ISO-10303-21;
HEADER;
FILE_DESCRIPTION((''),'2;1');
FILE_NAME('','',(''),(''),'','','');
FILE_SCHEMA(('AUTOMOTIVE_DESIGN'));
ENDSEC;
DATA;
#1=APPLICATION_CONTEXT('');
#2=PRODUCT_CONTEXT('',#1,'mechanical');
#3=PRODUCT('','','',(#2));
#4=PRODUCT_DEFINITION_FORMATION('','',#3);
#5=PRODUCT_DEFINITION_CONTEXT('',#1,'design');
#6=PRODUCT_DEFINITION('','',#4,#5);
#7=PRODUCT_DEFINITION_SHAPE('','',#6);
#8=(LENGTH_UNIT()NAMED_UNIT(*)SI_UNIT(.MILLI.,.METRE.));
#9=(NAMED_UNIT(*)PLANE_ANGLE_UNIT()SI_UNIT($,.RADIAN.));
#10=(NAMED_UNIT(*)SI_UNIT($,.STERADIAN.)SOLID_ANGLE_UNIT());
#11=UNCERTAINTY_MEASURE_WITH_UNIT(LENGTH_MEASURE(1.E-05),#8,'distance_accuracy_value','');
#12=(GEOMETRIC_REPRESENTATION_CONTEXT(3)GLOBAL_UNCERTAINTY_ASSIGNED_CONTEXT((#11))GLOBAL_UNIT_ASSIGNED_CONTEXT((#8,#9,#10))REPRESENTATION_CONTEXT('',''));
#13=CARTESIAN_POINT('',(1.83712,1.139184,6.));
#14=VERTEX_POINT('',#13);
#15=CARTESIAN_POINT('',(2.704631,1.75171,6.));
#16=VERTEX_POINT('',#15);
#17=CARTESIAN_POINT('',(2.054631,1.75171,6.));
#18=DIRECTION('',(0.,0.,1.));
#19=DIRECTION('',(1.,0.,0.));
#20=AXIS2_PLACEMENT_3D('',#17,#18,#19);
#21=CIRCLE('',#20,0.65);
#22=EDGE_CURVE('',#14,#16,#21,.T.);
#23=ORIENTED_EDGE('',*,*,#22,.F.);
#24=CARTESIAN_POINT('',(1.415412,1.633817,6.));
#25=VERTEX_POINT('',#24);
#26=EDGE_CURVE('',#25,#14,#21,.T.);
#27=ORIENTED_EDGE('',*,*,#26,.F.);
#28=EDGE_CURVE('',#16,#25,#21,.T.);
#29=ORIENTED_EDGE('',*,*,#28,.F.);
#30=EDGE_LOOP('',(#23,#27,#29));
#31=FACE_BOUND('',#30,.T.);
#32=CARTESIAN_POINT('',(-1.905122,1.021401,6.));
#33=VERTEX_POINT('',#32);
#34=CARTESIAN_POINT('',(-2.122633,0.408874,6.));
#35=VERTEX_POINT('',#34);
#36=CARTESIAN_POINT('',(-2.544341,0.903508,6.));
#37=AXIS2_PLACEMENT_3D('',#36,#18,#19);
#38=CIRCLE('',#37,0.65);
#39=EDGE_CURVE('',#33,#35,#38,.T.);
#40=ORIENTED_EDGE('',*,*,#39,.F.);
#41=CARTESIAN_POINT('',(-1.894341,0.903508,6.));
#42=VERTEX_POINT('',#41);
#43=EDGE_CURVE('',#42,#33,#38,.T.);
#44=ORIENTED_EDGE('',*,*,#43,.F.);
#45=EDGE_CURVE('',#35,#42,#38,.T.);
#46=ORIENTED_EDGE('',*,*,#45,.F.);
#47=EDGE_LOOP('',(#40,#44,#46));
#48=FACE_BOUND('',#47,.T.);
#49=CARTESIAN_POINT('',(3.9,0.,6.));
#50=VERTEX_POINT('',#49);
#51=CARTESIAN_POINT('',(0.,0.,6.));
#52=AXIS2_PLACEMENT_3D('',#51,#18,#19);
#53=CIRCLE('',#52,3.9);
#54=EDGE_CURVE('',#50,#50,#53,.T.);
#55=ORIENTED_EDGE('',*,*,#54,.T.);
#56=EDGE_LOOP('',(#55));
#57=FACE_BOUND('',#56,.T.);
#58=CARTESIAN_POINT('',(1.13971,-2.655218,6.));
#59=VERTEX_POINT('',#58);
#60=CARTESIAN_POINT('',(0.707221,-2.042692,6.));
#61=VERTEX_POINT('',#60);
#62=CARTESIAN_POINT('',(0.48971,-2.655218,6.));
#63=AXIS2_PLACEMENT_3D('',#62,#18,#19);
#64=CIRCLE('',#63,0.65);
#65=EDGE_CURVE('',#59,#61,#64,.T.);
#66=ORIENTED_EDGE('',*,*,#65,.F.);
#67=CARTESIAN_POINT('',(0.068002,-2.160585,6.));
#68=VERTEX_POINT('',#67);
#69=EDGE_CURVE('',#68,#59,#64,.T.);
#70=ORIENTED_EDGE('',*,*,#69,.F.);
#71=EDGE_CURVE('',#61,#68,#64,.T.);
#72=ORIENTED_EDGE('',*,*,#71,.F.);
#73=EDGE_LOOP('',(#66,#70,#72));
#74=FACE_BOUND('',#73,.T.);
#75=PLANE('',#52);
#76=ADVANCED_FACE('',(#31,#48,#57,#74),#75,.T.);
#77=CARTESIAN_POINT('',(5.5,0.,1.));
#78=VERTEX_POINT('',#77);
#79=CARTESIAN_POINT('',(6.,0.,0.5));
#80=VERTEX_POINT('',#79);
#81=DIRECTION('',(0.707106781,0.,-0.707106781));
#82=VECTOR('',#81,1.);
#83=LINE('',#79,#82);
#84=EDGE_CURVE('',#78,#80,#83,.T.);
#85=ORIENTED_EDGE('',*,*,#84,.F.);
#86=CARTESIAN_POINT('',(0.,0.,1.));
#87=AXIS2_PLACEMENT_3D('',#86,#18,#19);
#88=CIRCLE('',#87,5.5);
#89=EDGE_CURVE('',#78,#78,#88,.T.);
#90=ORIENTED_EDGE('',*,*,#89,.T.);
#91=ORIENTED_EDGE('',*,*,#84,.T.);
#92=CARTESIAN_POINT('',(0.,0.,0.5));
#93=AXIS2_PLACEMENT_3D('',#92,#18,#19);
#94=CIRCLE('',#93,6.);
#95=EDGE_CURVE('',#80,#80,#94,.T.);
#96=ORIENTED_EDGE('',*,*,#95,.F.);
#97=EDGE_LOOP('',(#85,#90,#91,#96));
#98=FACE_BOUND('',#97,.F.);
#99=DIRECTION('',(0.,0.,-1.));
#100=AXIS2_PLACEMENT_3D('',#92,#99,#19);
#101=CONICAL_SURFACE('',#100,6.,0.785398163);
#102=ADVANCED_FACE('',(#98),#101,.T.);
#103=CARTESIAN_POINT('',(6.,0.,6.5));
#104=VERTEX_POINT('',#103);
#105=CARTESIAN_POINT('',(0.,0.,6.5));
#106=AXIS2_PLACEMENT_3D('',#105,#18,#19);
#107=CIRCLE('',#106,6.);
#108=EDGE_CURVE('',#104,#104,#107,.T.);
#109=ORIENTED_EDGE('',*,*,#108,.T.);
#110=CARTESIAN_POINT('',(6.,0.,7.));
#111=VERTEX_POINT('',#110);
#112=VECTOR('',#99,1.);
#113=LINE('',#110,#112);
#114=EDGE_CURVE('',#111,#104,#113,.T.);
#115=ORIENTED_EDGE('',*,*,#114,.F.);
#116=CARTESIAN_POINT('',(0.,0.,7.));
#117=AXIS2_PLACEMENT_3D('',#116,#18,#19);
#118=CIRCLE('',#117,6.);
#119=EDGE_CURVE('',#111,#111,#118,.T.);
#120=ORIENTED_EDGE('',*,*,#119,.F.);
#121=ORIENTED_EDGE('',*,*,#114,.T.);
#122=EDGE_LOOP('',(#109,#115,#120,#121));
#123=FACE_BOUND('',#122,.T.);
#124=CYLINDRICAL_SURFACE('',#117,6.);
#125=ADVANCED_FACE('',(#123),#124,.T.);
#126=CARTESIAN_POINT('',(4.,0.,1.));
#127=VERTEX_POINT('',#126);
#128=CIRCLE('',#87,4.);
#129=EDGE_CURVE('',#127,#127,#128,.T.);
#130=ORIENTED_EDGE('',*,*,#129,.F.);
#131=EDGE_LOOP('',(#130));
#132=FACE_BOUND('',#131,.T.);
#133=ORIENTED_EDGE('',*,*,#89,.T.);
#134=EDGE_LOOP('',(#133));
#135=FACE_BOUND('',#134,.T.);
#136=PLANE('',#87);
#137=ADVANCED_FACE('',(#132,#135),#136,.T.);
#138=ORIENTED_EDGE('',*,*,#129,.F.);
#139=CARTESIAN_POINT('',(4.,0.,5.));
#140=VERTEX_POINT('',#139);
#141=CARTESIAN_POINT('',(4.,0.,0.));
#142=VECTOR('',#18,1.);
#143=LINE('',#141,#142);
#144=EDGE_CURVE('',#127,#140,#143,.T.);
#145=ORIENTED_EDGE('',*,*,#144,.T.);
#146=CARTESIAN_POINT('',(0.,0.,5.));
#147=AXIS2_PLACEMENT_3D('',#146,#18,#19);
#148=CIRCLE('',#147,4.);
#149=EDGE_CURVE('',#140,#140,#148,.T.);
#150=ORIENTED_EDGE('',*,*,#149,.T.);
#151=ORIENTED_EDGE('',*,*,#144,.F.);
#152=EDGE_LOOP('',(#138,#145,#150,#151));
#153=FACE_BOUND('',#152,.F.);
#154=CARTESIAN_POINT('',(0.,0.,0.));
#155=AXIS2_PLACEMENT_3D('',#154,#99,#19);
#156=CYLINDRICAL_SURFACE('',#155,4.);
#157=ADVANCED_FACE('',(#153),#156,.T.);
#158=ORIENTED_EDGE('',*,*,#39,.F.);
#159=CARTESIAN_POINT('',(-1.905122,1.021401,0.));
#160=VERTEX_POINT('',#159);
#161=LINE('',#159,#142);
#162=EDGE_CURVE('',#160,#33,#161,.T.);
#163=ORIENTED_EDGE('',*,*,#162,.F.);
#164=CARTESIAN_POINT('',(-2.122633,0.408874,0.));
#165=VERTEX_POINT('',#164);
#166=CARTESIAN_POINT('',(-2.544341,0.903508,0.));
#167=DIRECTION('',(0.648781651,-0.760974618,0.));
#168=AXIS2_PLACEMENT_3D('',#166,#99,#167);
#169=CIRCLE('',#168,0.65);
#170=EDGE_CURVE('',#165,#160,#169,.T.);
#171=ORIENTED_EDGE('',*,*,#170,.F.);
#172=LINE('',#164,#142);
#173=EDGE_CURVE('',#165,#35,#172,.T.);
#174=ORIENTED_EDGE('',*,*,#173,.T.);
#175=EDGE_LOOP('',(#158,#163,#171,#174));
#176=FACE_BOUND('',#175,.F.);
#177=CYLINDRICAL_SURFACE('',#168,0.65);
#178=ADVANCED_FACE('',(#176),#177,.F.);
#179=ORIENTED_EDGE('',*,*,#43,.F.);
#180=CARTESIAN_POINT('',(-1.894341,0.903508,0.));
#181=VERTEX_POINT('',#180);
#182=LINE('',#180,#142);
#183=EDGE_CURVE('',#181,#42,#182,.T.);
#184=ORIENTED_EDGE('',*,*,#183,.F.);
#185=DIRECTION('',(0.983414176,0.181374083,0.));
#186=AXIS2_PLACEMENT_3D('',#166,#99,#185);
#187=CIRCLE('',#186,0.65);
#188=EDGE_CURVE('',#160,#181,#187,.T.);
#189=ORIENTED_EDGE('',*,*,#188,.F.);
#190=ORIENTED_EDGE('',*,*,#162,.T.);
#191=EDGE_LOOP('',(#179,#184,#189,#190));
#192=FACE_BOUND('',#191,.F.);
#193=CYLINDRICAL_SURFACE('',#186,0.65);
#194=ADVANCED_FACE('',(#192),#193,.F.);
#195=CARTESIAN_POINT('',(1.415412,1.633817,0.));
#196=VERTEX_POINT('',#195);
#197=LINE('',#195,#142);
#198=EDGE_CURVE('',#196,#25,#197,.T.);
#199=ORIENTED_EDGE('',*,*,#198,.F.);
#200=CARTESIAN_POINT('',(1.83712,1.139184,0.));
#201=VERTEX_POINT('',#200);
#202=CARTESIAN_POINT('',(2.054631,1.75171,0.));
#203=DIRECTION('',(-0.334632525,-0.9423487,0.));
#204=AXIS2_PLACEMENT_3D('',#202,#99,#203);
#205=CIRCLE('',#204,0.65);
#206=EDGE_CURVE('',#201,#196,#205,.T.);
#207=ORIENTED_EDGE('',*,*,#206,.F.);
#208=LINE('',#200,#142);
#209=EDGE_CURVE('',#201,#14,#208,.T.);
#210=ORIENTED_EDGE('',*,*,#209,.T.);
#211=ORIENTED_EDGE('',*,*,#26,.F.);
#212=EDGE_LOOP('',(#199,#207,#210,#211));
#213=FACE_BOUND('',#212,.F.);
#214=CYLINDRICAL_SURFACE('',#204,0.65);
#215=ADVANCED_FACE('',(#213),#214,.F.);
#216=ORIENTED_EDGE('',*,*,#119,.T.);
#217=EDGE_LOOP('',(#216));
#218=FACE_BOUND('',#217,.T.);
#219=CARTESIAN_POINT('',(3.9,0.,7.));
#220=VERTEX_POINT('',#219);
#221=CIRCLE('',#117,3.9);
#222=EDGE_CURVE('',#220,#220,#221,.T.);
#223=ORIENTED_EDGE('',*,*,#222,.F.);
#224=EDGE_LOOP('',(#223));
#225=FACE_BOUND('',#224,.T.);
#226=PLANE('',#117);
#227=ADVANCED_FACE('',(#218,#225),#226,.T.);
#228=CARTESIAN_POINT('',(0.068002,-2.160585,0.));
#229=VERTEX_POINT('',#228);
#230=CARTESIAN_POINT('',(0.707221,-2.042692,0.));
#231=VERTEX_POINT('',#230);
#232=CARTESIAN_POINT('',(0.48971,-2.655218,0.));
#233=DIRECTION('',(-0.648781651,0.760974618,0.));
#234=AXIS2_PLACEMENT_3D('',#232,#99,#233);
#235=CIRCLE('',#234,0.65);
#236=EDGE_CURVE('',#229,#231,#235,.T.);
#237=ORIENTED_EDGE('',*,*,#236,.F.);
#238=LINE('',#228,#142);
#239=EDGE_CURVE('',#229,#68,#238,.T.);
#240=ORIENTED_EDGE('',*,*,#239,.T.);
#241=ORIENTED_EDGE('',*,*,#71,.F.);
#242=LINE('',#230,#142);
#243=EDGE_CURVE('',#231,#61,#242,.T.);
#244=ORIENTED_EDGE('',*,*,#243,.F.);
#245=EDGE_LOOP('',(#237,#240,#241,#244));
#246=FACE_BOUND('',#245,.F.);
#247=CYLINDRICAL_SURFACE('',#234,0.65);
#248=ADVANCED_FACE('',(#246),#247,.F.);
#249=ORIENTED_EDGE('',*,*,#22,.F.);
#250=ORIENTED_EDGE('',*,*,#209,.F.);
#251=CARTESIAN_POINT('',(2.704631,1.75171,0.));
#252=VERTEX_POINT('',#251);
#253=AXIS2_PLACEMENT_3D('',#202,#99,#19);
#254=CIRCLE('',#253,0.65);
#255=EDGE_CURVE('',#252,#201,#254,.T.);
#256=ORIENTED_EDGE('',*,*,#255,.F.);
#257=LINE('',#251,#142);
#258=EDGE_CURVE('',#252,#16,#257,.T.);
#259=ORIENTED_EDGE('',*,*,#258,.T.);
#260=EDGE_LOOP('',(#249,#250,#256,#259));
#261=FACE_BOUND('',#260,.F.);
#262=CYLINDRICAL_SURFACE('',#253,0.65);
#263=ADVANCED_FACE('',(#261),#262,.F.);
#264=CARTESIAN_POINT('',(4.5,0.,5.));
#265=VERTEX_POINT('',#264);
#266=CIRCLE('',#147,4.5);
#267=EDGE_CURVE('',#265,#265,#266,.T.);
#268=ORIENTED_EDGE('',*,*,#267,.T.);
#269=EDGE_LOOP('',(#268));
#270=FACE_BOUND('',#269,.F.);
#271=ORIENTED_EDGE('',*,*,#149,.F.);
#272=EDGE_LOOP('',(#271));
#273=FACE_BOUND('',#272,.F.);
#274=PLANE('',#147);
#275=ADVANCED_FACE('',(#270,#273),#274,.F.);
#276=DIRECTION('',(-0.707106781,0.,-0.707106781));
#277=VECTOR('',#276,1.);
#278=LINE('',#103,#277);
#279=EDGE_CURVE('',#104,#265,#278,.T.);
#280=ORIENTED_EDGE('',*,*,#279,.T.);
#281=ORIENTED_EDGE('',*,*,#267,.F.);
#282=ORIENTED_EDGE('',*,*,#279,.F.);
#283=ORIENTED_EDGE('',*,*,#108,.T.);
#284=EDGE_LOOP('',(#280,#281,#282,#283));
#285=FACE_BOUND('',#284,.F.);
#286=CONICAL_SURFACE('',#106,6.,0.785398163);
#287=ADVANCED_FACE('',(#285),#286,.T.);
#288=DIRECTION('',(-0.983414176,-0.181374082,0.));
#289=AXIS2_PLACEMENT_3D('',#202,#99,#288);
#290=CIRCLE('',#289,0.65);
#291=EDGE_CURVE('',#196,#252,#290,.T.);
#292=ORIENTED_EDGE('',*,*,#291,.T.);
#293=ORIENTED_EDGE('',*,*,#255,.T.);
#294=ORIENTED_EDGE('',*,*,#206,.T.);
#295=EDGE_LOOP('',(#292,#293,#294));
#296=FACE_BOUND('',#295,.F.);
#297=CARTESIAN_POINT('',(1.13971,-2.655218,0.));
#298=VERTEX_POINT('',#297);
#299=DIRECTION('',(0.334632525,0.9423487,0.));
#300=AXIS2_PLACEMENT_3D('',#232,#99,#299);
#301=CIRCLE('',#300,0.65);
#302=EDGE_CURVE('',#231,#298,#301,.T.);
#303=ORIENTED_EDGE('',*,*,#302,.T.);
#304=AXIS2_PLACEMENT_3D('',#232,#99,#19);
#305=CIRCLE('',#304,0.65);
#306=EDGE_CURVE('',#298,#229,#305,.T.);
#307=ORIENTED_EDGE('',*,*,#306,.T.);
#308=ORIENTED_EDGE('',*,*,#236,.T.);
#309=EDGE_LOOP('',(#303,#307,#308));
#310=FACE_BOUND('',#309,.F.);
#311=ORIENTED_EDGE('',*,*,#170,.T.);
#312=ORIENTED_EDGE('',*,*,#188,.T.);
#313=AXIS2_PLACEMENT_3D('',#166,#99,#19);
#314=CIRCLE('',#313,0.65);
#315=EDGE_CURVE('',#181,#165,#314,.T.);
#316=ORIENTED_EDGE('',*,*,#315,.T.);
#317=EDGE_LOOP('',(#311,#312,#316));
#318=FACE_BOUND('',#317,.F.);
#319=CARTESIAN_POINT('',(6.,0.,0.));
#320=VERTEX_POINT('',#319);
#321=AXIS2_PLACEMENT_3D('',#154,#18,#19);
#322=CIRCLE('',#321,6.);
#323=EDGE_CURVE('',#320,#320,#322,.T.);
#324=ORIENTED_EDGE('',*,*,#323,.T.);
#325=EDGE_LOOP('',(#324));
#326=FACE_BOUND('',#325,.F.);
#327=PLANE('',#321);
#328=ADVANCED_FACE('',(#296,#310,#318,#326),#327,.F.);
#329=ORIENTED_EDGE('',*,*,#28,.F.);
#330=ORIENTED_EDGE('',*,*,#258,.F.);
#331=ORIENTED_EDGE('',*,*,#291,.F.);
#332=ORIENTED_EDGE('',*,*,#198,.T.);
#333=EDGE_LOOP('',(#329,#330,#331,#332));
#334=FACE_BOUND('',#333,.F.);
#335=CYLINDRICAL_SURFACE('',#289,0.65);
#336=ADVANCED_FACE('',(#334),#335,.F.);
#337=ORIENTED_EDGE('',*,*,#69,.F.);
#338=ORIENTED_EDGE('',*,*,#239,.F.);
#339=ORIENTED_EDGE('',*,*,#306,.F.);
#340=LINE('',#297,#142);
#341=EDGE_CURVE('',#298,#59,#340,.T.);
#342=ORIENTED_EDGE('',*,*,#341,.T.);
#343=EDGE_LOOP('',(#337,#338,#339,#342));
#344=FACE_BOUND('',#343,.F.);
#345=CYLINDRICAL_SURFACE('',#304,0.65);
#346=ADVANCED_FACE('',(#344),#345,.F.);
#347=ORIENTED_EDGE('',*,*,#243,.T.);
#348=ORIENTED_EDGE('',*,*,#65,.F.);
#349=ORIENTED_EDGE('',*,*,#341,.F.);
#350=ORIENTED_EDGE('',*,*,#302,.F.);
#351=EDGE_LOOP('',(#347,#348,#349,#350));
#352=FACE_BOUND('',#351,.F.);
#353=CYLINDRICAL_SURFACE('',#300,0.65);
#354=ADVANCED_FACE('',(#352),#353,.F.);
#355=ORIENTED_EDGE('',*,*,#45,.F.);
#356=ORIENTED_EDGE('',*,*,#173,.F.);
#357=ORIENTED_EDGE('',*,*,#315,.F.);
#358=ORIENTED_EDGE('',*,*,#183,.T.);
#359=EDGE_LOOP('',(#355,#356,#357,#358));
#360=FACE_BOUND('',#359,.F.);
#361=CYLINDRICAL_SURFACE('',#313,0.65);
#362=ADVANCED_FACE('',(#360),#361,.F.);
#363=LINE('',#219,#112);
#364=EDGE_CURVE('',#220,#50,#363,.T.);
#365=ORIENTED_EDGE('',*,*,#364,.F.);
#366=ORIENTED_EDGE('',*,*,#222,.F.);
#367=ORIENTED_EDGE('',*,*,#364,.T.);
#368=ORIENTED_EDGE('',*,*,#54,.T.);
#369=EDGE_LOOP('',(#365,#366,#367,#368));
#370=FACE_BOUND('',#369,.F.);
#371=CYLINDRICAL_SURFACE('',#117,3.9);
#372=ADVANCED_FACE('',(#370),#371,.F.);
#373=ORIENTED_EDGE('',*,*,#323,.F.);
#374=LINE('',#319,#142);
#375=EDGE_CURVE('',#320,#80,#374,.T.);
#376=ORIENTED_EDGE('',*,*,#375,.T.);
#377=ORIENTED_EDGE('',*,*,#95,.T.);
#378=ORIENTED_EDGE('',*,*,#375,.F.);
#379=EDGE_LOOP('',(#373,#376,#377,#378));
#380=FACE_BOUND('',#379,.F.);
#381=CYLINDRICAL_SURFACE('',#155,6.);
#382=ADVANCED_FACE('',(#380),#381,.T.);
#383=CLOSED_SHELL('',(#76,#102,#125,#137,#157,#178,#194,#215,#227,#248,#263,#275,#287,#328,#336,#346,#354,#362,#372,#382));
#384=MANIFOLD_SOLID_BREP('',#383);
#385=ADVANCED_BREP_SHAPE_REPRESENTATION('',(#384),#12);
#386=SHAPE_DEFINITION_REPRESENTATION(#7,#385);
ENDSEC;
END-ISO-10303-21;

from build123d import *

# Parameters (mm, degrees)
F0_R     = 6
F0_R_2   = 4
F1_DEPTH = 1
F2_DEPTH = 7
F3_R     = 6
F3_R_2   = 4
F4_DEPTH = 2
F3_R_3   = 3.9
F3_R_4   = 0.65
F5_DEPTH = 1
F6_SIZE  = 1.5
F7_SIZE  = 0.5


with BuildPart() as f1:
    # F0 (on Top) → F1 (new body)
    with BuildSketch(Plane.XY):
        Circle(F0_R)
        Circle(F0_R_2, mode=Mode.SUBTRACT)
    extrude(amount=F1_DEPTH)

    # F0 (on Top) → F2 (join)
    with BuildSketch(Plane.XY):
        Circle(F0_R_2)
        with BuildLine():
            ThreePointArc((1.1397100223, -2.6552182762), (0.217322658, -3.2453920843), (0.0680019491, -2.1605847745))
            Line((0.0680019491, -2.1605847745), (-2.1226334177, 0.4088743166))
            ThreePointArc((-2.1226334177, 0.4088743166), (-3.1568681461, 1.1210189597), (-1.9051222763, 1.0214009718))
            Line((-1.9051222763, 1.0214009718), (1.415412254, 1.6338173044))
            ThreePointArc((1.415412254, 1.6338173044), (1.9954389417, 2.3990096505), (2.7046314686, 1.7517104579))
            ThreePointArc((2.7046314686, 1.7517104579), (2.4295432969, 1.2207291767), (1.8371203272, 1.1391838027))
            Line((1.8371203272, 1.1391838027), (0.7072211637, -2.0426916209))
            ThreePointArc((0.7072211637, -2.0426916209), (1.0206913035, -2.2803064478), (1.1397100223, -2.6552182762))
        make_face(mode=Mode.SUBTRACT)
        with BuildLine():
            Line((-2.1226334177, 0.4088743166), (0.0680019491, -2.1605847745))
            ThreePointArc((0.0680019491, -2.1605847745), (0.3718168688, -2.0159990615), (0.7072211637, -2.0426916209))
            Line((0.7072211637, -2.0426916209), (1.8371203272, 1.1391838027))
            ThreePointArc((1.8371203272, 1.1391838027), (1.5599979669, 1.3300023847), (1.415412254, 1.6338173044))
            Line((1.415412254, 1.6338173044), (-1.9051222763, 1.0214009718))
            ThreePointArc((-1.9051222763, 1.0214009718), (-1.8970422983, 0.9627003452), (-1.8943414909, 0.9035078183))
            ThreePointArc((-1.8943414909, 0.9035078183), (-1.9541676828, 0.631120454), (-2.1226334177, 0.4088743166))
        make_face()
    extrude(amount=F2_DEPTH)

    # F3 (on face) → F4 (join)
    with BuildSketch(Plane.XY.offset(7)):
        Circle(F3_R)
        Circle(F3_R_2, mode=Mode.SUBTRACT)
    extrude(amount=-F4_DEPTH)

    # F3 (on face) → F5 (cut)
    with BuildSketch(Plane.XY.offset(7)):
        Circle(F3_R_3)
        with Locations((0.4897100223, -2.6552182762)):
            Circle(F3_R_4, mode=Mode.SUBTRACT)
        with Locations((-2.5443414909, 0.9035078183)):
            Circle(F3_R_4, mode=Mode.SUBTRACT)
        with Locations((2.0546314686, 1.7517104579)):
            Circle(F3_R_4, mode=Mode.SUBTRACT)
    extrude(amount=-F5_DEPTH, mode=Mode.SUBTRACT)

    # F6
    f6_edges = [f1.edges().sort_by_distance(p)[0] for p in [
        (-6, 0, 5),
    ]]
    chamfer(f6_edges, length=F6_SIZE)

    # F7
    f7_edges = [f1.edges().sort_by_distance(p)[0] for p in [
        (-6, 0, 1),
    ]]
    chamfer(f7_edges, length=F7_SIZE)


solid = f1.part
